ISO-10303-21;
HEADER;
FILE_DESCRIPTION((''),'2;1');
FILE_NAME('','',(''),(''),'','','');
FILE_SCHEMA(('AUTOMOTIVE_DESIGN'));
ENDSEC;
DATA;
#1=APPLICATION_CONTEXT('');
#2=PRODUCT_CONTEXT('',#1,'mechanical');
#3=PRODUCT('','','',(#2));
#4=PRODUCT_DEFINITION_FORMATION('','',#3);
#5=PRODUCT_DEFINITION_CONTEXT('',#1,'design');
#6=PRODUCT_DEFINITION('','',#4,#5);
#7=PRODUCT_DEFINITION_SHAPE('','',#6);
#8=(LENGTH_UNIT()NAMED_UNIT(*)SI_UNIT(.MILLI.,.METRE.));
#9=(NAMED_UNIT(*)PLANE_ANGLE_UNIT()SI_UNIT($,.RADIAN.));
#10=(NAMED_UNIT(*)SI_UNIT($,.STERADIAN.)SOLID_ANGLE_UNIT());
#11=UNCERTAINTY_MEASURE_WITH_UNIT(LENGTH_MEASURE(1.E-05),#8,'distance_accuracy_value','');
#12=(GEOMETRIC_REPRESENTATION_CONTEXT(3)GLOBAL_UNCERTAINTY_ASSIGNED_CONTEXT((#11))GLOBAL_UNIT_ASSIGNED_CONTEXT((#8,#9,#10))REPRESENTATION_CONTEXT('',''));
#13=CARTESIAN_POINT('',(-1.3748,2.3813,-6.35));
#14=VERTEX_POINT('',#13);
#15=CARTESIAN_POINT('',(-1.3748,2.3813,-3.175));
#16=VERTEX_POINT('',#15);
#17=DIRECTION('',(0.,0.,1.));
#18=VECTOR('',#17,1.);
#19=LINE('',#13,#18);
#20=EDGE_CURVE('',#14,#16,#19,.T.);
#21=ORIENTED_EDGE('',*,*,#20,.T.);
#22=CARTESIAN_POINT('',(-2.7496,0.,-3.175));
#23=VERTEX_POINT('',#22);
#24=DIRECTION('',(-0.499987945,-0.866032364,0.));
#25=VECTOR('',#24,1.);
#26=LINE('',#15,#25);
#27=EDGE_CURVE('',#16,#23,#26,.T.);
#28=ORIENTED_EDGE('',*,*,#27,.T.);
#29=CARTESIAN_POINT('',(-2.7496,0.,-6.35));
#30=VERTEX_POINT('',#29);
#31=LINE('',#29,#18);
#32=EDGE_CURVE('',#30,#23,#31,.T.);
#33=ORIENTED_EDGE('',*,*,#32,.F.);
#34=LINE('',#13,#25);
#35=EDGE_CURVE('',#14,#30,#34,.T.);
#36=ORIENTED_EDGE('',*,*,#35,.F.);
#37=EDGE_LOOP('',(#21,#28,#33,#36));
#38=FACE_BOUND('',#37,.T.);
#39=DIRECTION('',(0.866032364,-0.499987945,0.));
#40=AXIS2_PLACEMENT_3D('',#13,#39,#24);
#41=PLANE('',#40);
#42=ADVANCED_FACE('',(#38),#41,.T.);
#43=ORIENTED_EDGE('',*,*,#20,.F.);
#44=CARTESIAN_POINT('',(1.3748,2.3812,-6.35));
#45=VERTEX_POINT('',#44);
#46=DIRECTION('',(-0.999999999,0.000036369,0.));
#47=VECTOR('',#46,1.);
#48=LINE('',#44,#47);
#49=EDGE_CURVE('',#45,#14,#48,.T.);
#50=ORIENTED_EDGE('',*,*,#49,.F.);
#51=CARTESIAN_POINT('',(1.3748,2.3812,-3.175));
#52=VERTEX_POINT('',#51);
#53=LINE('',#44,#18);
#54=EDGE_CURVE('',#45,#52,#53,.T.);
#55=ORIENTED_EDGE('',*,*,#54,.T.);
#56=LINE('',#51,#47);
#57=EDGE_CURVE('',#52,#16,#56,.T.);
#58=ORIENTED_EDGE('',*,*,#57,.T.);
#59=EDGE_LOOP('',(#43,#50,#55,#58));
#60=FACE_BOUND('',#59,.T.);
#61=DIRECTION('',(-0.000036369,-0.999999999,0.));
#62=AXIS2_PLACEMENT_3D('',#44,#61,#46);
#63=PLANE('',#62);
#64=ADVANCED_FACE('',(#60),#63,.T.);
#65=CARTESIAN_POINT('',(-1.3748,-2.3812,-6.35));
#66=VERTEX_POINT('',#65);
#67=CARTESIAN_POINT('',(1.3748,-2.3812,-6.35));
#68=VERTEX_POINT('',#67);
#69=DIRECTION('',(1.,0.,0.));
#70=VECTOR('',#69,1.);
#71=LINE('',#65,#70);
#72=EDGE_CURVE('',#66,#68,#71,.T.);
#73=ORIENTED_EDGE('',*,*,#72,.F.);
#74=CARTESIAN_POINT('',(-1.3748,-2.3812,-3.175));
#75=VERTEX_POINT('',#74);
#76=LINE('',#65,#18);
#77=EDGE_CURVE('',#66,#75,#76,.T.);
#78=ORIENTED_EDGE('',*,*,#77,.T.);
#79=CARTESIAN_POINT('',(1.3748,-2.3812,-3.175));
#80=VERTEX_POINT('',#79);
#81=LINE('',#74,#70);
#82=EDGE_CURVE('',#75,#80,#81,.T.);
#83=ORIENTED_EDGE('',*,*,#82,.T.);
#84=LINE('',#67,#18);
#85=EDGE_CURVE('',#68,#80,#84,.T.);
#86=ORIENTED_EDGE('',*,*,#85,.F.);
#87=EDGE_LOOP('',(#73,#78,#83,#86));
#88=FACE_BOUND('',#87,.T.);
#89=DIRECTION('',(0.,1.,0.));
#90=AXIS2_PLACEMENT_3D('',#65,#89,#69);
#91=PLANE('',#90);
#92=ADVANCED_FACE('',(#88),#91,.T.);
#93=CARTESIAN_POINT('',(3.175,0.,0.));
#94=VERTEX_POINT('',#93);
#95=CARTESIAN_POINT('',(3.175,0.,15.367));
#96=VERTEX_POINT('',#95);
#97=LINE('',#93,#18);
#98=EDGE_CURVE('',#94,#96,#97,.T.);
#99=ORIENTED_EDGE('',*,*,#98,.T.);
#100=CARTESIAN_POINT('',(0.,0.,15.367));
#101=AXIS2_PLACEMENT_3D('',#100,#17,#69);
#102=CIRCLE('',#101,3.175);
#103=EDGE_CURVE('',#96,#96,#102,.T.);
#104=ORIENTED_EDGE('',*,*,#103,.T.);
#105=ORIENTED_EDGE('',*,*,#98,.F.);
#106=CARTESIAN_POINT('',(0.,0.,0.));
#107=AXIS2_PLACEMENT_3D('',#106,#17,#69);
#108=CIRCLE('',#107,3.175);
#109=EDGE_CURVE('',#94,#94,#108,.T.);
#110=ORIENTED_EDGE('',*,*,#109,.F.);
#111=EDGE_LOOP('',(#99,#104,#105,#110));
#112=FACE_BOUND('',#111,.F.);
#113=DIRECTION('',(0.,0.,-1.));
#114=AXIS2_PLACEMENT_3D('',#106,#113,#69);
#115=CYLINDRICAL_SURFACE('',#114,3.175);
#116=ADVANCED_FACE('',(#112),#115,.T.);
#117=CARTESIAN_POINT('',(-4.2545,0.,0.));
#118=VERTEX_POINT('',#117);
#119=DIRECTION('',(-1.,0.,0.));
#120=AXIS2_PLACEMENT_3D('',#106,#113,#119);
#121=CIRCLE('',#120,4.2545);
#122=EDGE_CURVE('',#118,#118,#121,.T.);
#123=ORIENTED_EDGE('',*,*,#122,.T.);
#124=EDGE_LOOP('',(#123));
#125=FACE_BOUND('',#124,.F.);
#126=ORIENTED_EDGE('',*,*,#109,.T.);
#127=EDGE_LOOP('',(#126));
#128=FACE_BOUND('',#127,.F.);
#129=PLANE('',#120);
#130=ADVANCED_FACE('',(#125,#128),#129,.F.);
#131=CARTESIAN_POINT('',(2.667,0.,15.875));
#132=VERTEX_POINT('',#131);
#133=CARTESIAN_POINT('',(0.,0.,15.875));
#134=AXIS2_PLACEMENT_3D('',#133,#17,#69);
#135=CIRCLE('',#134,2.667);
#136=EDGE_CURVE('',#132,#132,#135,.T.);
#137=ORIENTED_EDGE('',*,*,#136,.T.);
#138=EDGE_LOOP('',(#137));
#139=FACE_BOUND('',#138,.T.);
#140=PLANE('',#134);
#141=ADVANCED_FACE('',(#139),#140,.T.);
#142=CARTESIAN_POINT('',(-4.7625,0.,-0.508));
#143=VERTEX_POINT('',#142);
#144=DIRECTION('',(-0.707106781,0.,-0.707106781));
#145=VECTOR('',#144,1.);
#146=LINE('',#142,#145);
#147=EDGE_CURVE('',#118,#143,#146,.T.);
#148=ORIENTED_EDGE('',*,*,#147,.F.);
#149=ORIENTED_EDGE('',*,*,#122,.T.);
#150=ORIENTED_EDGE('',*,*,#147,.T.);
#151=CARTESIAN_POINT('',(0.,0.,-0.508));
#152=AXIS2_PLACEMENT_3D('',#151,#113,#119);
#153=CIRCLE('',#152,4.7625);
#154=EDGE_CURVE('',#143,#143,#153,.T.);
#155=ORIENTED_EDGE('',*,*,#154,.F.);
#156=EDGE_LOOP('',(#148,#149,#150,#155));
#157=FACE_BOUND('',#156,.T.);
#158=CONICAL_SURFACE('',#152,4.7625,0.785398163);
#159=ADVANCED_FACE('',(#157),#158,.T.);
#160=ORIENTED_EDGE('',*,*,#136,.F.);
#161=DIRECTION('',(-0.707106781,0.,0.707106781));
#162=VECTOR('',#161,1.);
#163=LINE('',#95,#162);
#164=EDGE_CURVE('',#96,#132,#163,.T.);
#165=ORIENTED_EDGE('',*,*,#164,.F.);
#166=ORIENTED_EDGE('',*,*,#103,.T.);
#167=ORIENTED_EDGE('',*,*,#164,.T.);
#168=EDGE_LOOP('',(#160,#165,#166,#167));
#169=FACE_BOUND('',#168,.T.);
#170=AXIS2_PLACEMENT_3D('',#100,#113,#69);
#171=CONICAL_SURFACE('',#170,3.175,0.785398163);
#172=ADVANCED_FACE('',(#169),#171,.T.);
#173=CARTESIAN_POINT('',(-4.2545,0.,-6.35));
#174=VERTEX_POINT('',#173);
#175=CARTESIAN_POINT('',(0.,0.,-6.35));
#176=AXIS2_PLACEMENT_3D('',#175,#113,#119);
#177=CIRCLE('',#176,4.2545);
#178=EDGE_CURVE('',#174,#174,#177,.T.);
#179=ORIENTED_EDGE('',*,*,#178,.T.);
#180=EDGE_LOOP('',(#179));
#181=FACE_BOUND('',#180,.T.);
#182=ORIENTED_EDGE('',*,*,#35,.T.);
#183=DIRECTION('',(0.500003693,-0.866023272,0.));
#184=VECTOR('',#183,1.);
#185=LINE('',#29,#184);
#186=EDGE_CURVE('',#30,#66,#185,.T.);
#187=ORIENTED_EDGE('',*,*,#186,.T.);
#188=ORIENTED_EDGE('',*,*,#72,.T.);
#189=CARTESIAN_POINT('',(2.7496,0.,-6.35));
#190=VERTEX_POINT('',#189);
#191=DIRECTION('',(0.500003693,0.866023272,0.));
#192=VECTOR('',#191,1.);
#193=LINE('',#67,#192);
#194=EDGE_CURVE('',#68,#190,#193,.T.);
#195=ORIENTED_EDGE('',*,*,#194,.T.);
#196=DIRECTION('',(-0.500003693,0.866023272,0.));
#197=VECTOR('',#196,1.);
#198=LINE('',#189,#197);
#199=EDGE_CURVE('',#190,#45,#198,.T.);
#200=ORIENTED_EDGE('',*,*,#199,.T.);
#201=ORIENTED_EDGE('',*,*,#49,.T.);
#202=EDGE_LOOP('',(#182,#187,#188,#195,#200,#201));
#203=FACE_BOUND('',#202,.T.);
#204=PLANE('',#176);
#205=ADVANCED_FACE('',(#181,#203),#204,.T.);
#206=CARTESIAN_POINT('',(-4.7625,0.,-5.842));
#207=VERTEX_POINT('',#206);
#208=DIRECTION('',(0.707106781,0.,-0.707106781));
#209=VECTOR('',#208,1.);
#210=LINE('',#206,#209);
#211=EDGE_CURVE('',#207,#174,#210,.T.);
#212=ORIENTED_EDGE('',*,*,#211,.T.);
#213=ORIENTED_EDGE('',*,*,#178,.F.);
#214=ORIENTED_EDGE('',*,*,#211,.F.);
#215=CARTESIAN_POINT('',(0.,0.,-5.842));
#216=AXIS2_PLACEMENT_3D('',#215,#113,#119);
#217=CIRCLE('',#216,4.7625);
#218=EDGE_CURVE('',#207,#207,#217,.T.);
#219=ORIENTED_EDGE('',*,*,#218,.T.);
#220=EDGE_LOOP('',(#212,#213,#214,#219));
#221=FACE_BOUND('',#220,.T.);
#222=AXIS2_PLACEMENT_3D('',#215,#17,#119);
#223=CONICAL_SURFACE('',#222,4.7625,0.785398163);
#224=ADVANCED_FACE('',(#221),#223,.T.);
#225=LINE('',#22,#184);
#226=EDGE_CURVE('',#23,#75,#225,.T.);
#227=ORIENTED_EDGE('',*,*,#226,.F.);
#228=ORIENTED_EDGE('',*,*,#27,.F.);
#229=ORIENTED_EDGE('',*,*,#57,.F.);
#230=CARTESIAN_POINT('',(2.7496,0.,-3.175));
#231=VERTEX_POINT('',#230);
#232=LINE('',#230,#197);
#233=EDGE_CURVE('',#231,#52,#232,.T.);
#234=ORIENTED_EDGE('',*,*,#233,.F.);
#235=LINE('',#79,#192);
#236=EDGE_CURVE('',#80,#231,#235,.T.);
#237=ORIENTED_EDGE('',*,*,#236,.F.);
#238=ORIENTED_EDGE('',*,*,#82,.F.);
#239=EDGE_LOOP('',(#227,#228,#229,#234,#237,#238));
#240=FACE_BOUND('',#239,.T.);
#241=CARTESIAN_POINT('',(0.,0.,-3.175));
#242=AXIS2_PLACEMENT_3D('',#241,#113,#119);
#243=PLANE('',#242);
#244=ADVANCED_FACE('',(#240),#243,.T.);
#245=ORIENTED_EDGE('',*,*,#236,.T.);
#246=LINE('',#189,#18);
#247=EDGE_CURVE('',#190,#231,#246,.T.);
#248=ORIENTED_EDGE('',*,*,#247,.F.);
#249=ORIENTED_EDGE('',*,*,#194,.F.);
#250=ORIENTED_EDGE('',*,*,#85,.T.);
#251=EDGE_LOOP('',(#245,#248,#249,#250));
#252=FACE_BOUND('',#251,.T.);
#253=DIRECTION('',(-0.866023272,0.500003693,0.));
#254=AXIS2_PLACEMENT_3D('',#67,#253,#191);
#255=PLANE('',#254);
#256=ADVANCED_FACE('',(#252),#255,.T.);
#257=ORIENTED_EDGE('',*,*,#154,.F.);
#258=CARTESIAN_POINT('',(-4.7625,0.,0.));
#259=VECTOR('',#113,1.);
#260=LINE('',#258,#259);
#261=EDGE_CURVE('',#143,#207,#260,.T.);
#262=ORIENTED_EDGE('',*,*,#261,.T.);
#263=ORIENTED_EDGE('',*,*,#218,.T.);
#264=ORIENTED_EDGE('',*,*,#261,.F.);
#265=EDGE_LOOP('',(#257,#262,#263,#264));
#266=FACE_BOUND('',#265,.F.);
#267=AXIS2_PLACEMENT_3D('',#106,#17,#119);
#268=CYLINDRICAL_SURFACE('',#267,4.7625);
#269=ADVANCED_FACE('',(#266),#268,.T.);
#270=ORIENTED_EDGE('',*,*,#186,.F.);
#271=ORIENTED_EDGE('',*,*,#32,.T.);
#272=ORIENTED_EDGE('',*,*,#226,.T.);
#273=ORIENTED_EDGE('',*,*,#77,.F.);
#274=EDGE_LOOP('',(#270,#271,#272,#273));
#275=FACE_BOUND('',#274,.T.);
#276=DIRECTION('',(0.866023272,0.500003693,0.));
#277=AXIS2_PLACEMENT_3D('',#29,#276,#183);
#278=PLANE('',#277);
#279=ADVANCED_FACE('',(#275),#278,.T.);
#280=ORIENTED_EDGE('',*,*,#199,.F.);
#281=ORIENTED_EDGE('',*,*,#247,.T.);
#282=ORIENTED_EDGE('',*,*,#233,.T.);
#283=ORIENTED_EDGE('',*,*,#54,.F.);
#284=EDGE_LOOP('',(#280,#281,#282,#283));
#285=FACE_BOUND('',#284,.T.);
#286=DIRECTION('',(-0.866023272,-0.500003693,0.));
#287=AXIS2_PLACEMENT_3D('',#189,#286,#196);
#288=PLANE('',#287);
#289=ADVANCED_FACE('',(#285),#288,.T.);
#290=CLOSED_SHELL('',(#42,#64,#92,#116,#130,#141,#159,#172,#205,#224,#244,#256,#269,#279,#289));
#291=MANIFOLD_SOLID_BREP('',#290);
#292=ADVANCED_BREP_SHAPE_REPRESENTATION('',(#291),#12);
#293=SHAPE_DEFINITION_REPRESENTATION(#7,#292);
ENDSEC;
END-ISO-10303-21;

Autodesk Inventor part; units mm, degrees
ref_plane "YZ Plane" through (0, 0, 0) normal (1, 0, 0) x (0, 1, 0)
ref_plane "XZ Plane" through (0, 0, 0) normal (0, 1, 0) x (-1, 0, 0)
ref_plane "XY Plane" through (0, 0, 0) normal (0, 0, 1) x (1, 0, 0)
sketch "Sketch1" plane through (0, 0, 0) normal (0, 0, 1) x (1, 0, 0)
  circle A0 centre (0, 0) radius 3.175
  dimension "d0" = 6.35
extrude "Extrusion1" add sketch "Sketch1" along normal blind 15.875
sketch "Sketch2" plane through (0, 0, 0) normal (0, 0, -1) x (-1, 0, 0)
  circle A0 centre (0, 0) radius 3.175 projected
  circle A1 centre (0, 0) radius 4.7625
  dimension "d3" = 9.525
extrude "Extrusion2" add sketch "Sketch2" along normal blind 6.35 contours A0 | A1
sketch "Sketch3" plane through (0, 0, -6.35) normal (0, 0, -1) x (-1, 0, 0)
  circle A0 centre (0, 0) radius 4.7625 projected
  line L0 (-1.3748, 2.3812) -> (1.3748, 2.3813)
  line L1 (1.3748, 2.3813) -> (2.7496, 0)
  line L2 (2.7496, 0) -> (1.3748, -2.3812)
  line L3 (1.3748, -2.3812) -> (-1.3748, -2.3812)
  line L4 (-1.3748, -2.3812) -> (-2.7496, 0)
  line L5 (-2.7496, 0) -> (-1.3748, 2.3812)
  dimension "d6" = 4.7625
extrude "Extrusion3" cut sketch "Sketch3" against normal blind 3.175 contours L0 L1 L2 L3 L4 L5
chamfer "Chamfer1" distance 0.508 angle 45 3 edges at (-3.175, 0, 15.875) (4.7625, 0, 0) (4.7625, 0, -6.35)
thread "Thread1" size "1/4-20 UNC" class "2A" standard "ANSI Unified Screw Threads" full length
properties part number "14-20 x750" material "Steel"
